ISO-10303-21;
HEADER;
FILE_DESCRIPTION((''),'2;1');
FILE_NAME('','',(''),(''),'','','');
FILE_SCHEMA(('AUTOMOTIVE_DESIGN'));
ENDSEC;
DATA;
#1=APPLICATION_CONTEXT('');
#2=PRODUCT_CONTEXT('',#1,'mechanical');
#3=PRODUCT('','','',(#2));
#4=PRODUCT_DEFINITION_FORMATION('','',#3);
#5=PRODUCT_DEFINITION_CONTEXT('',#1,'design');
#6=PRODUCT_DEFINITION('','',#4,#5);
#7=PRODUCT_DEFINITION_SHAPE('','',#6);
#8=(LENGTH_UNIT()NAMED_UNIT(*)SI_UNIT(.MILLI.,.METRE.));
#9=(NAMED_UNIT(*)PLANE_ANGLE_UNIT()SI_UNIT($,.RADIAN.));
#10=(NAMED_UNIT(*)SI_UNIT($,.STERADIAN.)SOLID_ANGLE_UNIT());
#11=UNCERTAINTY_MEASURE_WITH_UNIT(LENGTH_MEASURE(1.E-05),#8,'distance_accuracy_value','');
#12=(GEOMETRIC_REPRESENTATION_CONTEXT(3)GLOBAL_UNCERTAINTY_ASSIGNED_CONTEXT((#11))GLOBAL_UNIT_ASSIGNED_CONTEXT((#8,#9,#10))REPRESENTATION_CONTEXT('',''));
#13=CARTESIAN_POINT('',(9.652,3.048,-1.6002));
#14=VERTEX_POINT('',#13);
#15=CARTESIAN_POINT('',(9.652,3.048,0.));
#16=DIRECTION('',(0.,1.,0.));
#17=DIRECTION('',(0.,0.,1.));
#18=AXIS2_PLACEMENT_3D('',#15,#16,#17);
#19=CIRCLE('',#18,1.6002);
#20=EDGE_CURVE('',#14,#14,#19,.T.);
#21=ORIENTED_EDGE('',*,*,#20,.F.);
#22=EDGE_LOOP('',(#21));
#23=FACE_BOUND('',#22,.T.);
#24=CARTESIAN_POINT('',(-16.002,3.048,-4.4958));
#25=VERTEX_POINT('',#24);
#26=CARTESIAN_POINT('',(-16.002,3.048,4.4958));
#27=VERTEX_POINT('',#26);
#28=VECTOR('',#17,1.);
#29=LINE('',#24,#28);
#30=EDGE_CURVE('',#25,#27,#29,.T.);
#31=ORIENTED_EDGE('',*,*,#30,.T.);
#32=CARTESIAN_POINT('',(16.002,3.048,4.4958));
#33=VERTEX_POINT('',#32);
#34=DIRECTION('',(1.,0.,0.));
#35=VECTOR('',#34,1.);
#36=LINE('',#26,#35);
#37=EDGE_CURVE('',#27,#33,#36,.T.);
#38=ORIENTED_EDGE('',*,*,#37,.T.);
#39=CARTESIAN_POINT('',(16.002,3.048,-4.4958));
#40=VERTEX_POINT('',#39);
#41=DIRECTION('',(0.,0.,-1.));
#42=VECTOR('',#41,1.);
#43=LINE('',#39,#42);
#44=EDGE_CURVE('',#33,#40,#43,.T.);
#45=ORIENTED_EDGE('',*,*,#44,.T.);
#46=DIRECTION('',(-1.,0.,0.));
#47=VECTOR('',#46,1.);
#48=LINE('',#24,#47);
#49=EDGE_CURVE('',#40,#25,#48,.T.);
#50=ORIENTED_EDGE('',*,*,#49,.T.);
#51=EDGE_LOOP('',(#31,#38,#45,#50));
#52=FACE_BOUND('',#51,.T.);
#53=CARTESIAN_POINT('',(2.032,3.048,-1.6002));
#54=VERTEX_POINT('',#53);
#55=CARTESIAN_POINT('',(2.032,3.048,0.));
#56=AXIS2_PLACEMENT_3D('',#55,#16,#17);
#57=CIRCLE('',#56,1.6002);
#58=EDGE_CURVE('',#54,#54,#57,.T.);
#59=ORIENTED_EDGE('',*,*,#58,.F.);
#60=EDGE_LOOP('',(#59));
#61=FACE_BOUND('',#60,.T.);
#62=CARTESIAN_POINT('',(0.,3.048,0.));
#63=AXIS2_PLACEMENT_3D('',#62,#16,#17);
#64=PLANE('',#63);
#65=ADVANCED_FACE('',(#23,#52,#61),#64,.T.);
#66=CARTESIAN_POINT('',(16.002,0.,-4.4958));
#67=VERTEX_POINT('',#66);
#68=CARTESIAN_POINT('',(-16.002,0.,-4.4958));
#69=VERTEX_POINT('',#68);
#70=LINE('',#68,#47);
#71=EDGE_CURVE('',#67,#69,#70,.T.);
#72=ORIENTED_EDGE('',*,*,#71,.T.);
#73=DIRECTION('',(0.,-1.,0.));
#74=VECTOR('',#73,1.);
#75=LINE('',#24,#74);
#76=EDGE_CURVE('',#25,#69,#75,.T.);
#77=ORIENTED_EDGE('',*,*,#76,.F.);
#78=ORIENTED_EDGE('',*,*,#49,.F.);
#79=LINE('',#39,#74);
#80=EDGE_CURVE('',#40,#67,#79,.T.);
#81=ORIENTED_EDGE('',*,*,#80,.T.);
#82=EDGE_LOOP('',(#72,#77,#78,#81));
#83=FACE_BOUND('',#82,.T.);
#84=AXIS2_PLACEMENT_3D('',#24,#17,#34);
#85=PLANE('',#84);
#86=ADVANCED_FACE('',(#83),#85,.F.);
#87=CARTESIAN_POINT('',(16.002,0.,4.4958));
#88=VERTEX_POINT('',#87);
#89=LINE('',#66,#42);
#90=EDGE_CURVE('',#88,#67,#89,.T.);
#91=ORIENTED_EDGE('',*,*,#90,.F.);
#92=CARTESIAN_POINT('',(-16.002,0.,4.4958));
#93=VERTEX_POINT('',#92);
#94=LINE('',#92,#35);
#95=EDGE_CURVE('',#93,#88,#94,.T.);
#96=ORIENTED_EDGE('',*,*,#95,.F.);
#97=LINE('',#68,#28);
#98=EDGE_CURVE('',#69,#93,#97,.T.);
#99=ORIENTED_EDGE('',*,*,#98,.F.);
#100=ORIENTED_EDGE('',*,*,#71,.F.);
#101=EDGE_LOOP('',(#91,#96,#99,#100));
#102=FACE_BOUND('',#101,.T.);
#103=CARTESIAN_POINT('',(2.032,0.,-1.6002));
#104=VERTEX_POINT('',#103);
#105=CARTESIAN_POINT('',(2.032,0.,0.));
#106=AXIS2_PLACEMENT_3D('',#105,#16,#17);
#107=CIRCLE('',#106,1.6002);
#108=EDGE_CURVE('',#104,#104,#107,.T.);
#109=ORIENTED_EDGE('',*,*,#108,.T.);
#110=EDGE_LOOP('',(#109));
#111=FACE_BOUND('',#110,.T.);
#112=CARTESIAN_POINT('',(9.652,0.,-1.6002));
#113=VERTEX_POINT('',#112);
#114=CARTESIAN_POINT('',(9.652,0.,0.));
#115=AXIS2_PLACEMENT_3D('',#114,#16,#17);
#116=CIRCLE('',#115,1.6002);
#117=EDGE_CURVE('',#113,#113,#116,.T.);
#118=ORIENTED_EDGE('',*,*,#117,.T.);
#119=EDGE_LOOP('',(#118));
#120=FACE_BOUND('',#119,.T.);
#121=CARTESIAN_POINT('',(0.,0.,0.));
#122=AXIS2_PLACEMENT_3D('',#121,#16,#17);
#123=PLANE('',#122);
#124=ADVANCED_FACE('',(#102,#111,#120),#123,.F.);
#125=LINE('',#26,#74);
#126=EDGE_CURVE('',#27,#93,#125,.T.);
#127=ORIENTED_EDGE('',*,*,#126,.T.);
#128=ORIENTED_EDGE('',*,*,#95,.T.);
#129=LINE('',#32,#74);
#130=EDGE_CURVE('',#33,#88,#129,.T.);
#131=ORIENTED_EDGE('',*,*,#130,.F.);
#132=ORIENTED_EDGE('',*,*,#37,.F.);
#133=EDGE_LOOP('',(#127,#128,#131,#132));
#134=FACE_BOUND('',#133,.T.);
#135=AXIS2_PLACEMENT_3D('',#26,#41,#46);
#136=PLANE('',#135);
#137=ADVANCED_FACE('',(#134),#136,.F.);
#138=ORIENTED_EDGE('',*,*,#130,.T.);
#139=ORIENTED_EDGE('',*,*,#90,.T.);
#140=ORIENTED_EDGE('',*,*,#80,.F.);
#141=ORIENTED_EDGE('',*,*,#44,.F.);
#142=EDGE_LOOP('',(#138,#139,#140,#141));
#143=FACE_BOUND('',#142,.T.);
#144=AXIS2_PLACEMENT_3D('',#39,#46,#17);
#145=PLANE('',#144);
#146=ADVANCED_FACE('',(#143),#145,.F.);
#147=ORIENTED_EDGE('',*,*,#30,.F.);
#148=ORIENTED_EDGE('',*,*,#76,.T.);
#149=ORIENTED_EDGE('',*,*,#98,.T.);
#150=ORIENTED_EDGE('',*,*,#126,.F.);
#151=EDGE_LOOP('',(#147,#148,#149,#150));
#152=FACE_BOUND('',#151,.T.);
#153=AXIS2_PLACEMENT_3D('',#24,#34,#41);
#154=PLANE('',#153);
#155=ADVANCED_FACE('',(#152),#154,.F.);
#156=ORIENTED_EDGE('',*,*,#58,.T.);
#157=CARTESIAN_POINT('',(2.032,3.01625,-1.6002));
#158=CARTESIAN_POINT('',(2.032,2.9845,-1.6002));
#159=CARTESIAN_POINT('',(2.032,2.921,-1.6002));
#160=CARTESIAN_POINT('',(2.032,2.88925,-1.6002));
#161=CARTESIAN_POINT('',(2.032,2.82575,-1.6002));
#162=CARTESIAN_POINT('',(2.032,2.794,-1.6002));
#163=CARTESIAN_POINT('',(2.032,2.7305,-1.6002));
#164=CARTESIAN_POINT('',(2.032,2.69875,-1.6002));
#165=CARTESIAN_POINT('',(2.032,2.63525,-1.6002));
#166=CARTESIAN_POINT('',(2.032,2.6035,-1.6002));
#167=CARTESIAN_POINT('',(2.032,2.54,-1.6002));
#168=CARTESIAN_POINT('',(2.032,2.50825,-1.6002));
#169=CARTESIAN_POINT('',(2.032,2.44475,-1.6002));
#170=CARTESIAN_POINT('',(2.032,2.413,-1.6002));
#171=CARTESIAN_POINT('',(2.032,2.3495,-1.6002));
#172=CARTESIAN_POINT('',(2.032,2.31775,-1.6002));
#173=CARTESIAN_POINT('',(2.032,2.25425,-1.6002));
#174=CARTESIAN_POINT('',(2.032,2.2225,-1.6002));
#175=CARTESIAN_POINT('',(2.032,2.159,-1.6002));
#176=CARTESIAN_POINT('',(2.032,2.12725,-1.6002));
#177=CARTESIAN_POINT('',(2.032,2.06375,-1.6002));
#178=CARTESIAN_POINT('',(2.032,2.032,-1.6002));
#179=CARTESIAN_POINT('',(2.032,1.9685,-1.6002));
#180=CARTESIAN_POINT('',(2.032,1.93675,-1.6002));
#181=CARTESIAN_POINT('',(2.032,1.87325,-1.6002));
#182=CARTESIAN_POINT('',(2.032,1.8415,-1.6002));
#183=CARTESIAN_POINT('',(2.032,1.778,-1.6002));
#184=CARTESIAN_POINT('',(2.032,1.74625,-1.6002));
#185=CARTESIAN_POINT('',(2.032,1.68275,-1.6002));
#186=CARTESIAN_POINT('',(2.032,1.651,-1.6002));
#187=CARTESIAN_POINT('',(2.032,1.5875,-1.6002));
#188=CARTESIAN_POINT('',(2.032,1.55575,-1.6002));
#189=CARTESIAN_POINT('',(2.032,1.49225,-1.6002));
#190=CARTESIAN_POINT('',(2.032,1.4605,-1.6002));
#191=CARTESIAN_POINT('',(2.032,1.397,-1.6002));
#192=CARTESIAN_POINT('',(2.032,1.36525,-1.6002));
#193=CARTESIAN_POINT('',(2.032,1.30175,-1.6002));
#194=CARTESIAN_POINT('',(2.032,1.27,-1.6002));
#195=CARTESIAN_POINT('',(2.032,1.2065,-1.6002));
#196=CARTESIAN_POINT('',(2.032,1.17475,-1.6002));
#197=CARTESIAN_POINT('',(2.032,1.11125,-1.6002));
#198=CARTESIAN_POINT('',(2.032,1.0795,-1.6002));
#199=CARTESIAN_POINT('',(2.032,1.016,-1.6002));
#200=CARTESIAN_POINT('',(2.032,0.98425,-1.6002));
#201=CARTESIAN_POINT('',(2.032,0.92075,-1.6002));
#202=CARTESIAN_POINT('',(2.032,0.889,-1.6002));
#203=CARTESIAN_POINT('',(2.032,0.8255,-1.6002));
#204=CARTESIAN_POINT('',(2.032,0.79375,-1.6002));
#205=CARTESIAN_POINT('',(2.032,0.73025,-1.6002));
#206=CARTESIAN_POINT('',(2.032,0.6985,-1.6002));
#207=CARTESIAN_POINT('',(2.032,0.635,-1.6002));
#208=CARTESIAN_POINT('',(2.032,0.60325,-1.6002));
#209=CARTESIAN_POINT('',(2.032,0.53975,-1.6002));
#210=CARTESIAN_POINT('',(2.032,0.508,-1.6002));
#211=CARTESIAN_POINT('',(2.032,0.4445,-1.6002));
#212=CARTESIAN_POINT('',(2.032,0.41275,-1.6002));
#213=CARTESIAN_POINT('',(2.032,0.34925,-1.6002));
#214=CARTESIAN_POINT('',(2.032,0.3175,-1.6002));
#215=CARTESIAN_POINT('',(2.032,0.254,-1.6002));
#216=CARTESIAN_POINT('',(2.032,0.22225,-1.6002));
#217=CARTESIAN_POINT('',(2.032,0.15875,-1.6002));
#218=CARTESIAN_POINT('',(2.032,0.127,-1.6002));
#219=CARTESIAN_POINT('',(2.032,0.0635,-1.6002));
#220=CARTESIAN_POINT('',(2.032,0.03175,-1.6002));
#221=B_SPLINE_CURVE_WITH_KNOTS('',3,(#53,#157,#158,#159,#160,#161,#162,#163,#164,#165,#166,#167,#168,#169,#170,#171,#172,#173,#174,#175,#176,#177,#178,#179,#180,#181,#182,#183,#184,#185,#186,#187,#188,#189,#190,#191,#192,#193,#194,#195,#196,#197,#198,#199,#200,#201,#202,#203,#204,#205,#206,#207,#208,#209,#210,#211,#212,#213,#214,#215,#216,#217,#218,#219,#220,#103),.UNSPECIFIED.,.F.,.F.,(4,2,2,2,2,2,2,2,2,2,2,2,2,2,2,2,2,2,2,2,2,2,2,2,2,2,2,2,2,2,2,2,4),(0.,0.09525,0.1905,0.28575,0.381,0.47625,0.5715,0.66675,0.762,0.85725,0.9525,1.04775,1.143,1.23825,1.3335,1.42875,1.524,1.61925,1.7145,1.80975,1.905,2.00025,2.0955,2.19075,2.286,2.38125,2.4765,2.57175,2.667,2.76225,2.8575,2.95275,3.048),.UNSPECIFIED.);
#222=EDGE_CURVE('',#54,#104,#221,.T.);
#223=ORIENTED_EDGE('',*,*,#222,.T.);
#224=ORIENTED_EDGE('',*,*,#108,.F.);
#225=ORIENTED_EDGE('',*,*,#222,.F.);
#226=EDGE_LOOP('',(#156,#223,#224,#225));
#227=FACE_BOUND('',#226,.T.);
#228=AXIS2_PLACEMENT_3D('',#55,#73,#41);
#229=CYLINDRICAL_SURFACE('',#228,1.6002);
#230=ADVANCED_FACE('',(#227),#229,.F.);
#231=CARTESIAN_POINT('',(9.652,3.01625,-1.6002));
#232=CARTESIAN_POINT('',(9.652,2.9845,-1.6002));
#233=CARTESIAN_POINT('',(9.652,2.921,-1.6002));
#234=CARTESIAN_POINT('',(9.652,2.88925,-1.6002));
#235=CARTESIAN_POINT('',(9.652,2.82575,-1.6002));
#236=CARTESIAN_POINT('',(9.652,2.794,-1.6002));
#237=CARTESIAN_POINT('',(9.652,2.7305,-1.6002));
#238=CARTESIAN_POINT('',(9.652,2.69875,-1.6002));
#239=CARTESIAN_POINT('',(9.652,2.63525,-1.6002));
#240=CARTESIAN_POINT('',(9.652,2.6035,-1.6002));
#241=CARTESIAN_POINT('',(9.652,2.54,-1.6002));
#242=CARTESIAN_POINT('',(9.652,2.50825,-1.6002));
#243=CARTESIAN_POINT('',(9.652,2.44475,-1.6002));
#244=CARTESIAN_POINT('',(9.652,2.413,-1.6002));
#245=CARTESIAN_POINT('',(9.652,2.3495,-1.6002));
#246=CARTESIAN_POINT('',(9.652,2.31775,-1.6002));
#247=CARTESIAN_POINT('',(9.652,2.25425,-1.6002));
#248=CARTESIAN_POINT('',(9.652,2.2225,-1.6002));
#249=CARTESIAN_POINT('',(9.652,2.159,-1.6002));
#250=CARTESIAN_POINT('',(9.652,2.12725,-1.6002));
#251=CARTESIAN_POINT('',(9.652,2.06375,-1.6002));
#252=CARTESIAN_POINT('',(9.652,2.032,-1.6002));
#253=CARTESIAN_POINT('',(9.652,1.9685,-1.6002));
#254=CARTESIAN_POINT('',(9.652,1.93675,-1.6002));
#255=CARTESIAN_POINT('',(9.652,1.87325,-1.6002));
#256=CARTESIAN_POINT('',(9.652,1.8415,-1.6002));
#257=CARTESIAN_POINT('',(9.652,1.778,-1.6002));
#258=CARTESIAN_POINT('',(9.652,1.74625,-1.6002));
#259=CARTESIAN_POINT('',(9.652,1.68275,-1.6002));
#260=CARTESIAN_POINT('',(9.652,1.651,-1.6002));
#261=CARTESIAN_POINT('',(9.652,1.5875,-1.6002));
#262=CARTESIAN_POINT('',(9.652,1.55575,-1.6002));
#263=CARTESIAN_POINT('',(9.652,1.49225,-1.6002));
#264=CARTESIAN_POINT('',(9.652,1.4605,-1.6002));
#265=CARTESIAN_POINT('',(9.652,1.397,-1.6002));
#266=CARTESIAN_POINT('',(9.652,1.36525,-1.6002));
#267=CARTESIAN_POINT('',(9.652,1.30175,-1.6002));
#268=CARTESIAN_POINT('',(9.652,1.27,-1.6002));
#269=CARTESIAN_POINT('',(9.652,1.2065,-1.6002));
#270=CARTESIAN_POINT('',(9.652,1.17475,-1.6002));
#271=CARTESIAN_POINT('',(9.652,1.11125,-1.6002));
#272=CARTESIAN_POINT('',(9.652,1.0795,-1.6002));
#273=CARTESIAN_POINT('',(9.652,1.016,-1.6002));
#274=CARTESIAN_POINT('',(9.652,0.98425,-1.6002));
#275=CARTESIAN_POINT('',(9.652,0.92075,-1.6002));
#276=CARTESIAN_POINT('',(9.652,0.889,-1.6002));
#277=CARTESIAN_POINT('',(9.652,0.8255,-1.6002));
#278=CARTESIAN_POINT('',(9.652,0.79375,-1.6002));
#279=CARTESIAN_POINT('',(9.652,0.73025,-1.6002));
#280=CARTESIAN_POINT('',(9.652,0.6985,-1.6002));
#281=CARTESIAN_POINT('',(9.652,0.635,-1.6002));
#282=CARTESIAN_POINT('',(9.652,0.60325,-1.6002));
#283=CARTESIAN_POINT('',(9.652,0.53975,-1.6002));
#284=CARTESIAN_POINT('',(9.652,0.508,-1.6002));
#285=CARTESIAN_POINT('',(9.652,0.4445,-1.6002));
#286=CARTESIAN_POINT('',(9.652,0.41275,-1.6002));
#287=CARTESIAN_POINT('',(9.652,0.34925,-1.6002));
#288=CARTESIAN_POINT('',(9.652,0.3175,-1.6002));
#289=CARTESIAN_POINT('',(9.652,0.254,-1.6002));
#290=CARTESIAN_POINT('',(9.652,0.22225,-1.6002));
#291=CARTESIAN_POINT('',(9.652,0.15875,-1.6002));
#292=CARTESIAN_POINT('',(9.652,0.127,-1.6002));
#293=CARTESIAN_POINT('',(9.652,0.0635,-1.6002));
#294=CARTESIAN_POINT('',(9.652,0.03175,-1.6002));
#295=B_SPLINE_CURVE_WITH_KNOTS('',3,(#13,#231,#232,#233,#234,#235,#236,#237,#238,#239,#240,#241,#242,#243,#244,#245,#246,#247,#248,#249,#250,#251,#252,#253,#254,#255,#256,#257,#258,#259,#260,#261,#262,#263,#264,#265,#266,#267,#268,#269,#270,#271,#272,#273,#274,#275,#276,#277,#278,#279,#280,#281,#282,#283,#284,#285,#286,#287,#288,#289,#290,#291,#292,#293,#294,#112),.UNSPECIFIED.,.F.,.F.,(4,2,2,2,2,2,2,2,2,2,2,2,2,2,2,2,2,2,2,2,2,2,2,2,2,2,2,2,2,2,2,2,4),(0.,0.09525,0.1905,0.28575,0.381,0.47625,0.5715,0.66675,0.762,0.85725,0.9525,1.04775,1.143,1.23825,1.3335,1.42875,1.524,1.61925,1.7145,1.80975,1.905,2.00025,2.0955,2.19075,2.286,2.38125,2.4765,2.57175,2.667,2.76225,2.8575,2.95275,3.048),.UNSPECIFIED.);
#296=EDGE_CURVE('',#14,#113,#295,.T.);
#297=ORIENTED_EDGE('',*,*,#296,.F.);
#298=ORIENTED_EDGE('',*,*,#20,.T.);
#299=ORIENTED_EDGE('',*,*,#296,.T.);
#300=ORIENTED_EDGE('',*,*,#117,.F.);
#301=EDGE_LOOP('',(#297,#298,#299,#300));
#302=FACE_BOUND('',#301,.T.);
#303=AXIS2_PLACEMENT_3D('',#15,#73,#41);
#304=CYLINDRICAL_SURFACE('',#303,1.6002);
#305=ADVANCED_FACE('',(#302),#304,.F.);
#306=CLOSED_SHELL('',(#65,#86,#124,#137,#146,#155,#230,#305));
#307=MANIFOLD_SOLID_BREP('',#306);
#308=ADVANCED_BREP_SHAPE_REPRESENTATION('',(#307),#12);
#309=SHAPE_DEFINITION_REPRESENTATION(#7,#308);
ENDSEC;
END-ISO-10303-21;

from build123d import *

# Parameters (mm, degrees)
SKETCH1_W           = 32.004
SKETCH1_H           = 8.9916
SKETCH1_R           = 1.6002
BOSS_EXTRUDE1_DEPTH = 3.048


with BuildPart() as part:
    # Sketch1 → Boss-Extrude1 (new body)
    with BuildSketch(Plane(origin=(0, 0, 0), x_dir=(1, 0, 0), z_dir=(0, 1, 0))):
        Rectangle(SKETCH1_W, SKETCH1_H)
        with Locations(Location((9.652, 0, 0), (0, 0, 90))):
            Circle(SKETCH1_R, mode=Mode.SUBTRACT)
        with Locations(Location((2.032, 0, 0), (0, 0, 90))):
            Circle(SKETCH1_R, mode=Mode.SUBTRACT)
    extrude(amount=BOSS_EXTRUDE1_DEPTH)


solid = part.part
